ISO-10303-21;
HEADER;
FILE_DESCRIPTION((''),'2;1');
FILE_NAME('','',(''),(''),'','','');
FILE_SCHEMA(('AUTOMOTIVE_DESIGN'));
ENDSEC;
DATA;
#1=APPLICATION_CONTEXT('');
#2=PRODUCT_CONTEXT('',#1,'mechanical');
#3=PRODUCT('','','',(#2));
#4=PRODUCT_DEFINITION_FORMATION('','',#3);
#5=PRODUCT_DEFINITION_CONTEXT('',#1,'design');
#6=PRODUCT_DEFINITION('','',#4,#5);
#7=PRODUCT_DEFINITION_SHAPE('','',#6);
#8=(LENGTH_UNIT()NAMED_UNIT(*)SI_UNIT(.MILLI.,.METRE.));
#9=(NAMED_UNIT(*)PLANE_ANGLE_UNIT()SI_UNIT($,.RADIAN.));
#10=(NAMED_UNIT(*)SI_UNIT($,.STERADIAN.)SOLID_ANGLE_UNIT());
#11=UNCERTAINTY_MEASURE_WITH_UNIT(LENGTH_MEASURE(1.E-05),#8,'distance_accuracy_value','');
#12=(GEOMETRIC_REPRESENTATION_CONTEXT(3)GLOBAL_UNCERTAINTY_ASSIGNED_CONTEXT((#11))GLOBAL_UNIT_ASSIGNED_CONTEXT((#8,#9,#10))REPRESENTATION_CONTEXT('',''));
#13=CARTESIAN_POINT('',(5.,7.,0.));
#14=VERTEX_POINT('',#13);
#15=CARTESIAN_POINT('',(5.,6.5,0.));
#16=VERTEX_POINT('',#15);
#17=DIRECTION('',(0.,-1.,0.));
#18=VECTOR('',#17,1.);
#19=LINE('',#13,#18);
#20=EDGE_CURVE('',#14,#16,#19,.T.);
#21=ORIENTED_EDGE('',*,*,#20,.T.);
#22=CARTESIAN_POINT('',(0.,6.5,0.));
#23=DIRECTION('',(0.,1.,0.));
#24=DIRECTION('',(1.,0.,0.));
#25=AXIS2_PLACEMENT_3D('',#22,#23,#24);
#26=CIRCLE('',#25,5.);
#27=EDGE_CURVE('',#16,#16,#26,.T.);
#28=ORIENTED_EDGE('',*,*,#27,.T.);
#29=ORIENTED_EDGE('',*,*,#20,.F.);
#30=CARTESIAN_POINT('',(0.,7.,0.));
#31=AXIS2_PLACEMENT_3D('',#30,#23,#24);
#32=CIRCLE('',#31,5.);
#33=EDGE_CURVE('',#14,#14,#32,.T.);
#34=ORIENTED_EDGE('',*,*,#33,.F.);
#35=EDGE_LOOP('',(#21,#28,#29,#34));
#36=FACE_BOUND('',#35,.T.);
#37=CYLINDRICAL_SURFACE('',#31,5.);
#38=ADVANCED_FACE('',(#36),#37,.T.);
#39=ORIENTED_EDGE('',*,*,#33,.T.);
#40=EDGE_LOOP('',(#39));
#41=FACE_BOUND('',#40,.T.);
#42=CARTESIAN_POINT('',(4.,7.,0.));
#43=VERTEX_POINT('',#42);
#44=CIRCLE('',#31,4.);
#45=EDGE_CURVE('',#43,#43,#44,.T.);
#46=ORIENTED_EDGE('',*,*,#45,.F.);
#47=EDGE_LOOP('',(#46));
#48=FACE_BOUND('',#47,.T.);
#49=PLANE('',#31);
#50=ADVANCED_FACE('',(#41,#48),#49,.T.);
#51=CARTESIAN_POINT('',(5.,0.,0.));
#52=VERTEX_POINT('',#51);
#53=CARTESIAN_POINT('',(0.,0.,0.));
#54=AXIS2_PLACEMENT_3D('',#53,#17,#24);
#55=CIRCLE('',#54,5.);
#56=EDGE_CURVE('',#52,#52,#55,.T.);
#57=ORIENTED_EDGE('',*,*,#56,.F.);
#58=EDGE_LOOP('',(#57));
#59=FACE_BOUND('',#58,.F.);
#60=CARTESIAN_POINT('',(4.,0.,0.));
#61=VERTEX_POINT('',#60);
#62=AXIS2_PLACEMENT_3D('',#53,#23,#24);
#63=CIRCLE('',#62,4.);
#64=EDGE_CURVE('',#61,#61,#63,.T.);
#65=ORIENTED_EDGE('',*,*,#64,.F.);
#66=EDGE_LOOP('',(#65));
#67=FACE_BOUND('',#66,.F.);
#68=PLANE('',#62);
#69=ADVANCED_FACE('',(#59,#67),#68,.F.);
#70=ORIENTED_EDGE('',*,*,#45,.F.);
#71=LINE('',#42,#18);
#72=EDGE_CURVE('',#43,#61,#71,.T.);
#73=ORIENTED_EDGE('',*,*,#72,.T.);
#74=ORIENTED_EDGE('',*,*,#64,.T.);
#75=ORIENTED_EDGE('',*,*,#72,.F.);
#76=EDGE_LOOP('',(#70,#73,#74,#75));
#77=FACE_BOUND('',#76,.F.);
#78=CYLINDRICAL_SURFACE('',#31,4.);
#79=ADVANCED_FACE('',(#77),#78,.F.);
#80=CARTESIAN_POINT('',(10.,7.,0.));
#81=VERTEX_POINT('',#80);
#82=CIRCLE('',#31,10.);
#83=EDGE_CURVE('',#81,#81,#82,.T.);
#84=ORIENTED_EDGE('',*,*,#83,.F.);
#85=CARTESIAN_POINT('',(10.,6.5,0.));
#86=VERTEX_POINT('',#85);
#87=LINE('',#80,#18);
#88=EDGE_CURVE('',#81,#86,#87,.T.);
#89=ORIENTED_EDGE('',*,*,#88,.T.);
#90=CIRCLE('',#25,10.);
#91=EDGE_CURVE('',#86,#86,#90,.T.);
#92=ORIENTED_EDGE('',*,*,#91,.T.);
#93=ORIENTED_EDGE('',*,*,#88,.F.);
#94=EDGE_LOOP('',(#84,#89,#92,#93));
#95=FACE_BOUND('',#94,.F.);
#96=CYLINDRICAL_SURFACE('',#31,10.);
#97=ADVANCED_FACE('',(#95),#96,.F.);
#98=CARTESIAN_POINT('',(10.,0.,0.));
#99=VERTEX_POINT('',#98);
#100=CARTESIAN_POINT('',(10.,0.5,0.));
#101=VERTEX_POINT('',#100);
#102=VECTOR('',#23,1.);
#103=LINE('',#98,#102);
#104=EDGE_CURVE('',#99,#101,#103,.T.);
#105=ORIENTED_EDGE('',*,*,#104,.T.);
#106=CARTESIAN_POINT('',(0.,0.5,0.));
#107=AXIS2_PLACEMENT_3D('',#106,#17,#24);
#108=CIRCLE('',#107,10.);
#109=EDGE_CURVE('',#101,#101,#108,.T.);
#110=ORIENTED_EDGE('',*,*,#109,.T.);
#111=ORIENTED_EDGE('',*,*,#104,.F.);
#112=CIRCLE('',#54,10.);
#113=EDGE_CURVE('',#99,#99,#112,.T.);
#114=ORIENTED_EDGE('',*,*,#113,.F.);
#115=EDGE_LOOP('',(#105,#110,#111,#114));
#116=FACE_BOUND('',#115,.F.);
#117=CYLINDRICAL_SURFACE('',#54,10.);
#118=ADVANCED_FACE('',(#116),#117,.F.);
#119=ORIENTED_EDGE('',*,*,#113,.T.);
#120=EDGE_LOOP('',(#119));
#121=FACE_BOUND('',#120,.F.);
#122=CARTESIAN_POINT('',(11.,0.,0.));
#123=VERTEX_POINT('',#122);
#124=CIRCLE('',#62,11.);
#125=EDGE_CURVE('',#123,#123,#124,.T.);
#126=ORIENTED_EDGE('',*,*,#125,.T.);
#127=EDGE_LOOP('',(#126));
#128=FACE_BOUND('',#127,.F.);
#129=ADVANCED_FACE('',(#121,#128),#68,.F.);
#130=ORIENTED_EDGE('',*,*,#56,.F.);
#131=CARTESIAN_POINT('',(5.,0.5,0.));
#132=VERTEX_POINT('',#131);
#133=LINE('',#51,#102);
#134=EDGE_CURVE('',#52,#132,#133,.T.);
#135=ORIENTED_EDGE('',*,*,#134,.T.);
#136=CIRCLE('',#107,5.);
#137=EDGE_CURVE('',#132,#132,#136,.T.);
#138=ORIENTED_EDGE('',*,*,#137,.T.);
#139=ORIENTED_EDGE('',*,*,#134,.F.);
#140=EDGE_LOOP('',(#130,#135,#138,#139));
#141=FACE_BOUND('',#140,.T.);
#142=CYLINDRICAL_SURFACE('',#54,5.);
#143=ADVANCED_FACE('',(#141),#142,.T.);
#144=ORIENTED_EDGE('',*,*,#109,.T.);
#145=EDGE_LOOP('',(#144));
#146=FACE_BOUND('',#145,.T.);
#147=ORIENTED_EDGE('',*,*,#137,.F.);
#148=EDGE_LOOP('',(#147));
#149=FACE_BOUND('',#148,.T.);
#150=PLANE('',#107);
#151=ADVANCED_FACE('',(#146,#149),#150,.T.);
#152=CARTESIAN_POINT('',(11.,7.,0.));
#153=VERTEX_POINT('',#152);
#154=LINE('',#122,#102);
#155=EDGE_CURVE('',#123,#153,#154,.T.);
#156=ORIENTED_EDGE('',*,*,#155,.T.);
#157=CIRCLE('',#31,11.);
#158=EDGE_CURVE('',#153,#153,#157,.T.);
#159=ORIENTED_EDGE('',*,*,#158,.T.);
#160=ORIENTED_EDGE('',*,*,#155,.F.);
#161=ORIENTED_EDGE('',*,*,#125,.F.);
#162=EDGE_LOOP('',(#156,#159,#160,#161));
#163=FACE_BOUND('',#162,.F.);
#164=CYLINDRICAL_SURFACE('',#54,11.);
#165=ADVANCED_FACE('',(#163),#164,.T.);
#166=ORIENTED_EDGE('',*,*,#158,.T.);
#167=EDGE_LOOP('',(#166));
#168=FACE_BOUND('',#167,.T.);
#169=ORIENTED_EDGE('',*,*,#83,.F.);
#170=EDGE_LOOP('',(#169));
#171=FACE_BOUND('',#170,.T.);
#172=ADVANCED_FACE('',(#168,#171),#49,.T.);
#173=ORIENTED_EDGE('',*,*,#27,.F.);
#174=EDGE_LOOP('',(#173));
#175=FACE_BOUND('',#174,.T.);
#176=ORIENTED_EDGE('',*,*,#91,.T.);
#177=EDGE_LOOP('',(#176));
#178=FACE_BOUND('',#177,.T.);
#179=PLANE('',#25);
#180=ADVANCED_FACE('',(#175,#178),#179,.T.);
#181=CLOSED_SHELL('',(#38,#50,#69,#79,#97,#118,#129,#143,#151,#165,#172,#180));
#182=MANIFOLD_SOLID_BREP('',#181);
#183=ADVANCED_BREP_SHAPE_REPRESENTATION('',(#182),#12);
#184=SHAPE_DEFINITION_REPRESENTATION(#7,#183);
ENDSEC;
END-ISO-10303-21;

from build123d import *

# Parameters (mm, degrees)
SKETCH1_R           = 11
BOSS_EXTRUDE1_DEPTH = 7
SKETCH2_R           = 4
CUT_EXTRUDE1_DEPTH  = 7
SKETCH3_R           = 10
SKETCH3_R_2         = 5
CUT_EXTRUDE2_DEPTH  = 0.5
SKETCH4_R           = 10
SKETCH4_R_2         = 5
CUT_EXTRUDE3_DEPTH  = 0.5


with BuildPart() as part:
    # Sketch1 → Boss-Extrude1 (new body)
    with BuildSketch(Plane(origin=(0, 0, 0), x_dir=(1, 0, 0), z_dir=(0, 1, 0))):
        Circle(SKETCH1_R)
    extrude(amount=BOSS_EXTRUDE1_DEPTH)

    # Sketch2 → Cut-Extrude1 (cut)
    with BuildSketch(Plane(origin=(0, 7, 0), x_dir=(1, 0, 0), z_dir=(0, 1, 0))):
        Circle(SKETCH2_R)
    extrude(amount=-CUT_EXTRUDE1_DEPTH, mode=Mode.SUBTRACT)

    # Sketch3 → Cut-Extrude2 (cut)
    with BuildSketch(Plane(origin=(0, 7, 0), x_dir=(1, 0, 0), z_dir=(0, 1, 0))):
        Circle(SKETCH3_R)
        Circle(SKETCH3_R_2, mode=Mode.SUBTRACT)
    extrude(amount=-CUT_EXTRUDE2_DEPTH, mode=Mode.SUBTRACT)

    # Sketch4 → Cut-Extrude3 (cut)
    with BuildSketch(Plane.XZ):
        Circle(SKETCH4_R)
        Circle(SKETCH4_R_2, mode=Mode.SUBTRACT)
    extrude(amount=-CUT_EXTRUDE3_DEPTH, mode=Mode.SUBTRACT)


solid = part.part
